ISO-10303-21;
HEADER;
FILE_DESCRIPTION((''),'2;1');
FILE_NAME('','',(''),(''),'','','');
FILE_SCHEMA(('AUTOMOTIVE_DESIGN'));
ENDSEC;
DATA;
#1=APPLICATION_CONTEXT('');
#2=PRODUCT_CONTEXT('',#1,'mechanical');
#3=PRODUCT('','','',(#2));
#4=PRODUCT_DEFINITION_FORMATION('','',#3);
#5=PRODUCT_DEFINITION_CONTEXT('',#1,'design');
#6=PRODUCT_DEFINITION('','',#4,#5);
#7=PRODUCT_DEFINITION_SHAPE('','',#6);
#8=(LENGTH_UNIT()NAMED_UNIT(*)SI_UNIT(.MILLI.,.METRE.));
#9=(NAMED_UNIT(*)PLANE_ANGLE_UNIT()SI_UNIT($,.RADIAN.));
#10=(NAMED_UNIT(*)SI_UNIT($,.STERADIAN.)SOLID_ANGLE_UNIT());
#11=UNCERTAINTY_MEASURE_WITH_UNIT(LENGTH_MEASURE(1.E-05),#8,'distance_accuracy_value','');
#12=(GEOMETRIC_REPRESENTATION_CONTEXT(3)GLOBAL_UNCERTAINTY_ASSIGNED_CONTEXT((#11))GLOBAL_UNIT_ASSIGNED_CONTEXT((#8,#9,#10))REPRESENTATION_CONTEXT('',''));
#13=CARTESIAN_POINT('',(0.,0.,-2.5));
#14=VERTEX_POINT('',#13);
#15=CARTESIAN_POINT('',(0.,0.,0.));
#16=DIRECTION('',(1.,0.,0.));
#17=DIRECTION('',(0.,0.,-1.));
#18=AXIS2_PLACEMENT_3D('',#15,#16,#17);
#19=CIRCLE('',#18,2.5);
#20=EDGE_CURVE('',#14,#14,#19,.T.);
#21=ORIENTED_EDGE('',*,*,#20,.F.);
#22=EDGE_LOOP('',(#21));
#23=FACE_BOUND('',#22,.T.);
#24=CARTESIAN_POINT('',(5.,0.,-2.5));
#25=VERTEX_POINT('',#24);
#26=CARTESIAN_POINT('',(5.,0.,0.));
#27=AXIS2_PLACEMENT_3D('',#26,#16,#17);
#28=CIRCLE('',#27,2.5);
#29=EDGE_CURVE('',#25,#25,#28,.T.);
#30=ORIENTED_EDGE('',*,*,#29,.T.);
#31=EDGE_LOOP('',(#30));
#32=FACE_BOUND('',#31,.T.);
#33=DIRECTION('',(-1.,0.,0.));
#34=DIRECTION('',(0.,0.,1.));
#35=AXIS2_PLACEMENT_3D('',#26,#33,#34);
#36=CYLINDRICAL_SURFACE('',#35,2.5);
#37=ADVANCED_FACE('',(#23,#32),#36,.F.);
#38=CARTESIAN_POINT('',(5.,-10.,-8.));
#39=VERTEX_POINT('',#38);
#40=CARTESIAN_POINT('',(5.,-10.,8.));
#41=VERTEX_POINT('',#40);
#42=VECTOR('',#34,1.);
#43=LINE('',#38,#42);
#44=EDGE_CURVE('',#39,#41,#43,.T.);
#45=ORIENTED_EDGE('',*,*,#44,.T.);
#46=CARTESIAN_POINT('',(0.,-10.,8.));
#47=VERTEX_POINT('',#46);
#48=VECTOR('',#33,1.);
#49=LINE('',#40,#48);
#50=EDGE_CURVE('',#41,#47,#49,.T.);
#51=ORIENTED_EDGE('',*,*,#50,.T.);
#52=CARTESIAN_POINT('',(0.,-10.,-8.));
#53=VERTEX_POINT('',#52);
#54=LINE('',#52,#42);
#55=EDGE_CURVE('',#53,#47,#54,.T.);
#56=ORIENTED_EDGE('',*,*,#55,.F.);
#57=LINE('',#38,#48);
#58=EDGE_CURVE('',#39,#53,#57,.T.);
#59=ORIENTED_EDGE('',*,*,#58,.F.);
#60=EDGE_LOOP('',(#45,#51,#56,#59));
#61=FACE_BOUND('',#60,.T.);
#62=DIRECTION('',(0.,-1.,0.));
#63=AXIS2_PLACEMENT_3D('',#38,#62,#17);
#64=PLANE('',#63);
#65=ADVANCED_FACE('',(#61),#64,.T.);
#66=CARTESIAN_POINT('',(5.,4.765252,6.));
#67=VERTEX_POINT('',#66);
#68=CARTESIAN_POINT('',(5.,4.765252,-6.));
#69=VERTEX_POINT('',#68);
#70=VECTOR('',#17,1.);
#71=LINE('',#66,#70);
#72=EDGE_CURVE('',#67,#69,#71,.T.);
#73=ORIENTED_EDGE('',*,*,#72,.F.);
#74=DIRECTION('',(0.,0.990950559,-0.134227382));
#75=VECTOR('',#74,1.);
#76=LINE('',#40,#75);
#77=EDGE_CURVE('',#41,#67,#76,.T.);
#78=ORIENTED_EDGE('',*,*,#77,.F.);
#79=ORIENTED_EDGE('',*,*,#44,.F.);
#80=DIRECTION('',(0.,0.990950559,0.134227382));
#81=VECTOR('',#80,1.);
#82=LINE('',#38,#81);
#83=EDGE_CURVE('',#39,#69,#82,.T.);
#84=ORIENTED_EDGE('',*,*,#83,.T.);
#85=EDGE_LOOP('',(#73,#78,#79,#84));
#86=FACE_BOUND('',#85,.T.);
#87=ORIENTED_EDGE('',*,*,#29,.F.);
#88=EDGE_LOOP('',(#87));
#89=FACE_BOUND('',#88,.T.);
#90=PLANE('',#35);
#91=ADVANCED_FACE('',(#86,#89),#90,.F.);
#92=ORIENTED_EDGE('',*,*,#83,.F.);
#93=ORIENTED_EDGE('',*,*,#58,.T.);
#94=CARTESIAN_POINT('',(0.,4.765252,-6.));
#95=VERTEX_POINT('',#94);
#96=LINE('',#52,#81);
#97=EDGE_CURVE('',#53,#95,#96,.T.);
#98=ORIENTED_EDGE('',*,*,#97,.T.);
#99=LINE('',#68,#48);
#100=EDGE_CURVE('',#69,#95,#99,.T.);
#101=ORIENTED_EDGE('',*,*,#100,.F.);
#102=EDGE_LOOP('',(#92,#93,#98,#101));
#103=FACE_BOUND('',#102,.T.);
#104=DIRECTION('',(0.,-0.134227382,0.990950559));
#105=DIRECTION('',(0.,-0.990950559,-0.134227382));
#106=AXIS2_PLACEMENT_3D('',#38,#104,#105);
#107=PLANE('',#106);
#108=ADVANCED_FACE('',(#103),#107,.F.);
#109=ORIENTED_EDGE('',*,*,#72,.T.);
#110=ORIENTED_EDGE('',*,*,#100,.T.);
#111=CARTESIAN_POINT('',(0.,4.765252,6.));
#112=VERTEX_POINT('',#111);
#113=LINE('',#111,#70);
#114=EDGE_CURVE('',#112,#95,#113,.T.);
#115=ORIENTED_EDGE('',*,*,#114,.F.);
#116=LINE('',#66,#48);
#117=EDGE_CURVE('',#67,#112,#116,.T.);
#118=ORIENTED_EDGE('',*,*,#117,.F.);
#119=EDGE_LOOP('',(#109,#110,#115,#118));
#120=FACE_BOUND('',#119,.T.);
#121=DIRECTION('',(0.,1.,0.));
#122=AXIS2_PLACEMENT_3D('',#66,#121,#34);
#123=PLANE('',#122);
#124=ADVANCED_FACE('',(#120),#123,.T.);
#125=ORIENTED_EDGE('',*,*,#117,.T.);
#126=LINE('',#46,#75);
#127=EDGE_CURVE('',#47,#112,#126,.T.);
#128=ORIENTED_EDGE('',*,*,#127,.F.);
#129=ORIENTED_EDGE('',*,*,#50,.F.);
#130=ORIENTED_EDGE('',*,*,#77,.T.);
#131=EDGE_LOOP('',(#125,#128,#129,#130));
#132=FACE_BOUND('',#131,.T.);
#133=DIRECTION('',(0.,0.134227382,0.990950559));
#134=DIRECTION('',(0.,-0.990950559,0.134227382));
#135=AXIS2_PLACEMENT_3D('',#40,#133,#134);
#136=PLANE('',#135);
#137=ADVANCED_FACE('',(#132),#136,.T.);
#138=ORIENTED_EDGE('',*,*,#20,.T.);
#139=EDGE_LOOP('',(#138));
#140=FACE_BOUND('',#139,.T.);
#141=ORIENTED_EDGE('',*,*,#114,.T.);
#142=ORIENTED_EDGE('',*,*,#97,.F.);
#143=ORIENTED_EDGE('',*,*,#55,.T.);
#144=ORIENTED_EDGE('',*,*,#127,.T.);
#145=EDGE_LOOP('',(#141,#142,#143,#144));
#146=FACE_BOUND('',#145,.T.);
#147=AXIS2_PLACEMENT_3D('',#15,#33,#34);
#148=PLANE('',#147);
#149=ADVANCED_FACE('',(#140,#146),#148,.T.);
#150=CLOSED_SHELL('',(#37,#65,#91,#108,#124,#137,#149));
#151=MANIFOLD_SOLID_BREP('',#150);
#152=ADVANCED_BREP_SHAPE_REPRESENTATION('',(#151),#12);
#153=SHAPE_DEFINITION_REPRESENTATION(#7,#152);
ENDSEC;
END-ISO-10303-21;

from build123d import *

# Parameters (mm, degrees)
SKETCH1_R           = 2.5
BOSS_EXTRUDE1_DEPTH = 5


with BuildPart() as part:
    # Sketch1 → Boss-Extrude1 (new body)
    with BuildSketch(Plane(origin=(0, 0, 0), x_dir=(0, 0, -1), z_dir=(1, 0, 0))):
        Polygon((8, -10), (-8, -10), (-6, 4.765251939), (6, 4.765251939), align=None)
        Circle(SKETCH1_R, mode=Mode.SUBTRACT)
    extrude(amount=BOSS_EXTRUDE1_DEPTH)


solid = part.part
